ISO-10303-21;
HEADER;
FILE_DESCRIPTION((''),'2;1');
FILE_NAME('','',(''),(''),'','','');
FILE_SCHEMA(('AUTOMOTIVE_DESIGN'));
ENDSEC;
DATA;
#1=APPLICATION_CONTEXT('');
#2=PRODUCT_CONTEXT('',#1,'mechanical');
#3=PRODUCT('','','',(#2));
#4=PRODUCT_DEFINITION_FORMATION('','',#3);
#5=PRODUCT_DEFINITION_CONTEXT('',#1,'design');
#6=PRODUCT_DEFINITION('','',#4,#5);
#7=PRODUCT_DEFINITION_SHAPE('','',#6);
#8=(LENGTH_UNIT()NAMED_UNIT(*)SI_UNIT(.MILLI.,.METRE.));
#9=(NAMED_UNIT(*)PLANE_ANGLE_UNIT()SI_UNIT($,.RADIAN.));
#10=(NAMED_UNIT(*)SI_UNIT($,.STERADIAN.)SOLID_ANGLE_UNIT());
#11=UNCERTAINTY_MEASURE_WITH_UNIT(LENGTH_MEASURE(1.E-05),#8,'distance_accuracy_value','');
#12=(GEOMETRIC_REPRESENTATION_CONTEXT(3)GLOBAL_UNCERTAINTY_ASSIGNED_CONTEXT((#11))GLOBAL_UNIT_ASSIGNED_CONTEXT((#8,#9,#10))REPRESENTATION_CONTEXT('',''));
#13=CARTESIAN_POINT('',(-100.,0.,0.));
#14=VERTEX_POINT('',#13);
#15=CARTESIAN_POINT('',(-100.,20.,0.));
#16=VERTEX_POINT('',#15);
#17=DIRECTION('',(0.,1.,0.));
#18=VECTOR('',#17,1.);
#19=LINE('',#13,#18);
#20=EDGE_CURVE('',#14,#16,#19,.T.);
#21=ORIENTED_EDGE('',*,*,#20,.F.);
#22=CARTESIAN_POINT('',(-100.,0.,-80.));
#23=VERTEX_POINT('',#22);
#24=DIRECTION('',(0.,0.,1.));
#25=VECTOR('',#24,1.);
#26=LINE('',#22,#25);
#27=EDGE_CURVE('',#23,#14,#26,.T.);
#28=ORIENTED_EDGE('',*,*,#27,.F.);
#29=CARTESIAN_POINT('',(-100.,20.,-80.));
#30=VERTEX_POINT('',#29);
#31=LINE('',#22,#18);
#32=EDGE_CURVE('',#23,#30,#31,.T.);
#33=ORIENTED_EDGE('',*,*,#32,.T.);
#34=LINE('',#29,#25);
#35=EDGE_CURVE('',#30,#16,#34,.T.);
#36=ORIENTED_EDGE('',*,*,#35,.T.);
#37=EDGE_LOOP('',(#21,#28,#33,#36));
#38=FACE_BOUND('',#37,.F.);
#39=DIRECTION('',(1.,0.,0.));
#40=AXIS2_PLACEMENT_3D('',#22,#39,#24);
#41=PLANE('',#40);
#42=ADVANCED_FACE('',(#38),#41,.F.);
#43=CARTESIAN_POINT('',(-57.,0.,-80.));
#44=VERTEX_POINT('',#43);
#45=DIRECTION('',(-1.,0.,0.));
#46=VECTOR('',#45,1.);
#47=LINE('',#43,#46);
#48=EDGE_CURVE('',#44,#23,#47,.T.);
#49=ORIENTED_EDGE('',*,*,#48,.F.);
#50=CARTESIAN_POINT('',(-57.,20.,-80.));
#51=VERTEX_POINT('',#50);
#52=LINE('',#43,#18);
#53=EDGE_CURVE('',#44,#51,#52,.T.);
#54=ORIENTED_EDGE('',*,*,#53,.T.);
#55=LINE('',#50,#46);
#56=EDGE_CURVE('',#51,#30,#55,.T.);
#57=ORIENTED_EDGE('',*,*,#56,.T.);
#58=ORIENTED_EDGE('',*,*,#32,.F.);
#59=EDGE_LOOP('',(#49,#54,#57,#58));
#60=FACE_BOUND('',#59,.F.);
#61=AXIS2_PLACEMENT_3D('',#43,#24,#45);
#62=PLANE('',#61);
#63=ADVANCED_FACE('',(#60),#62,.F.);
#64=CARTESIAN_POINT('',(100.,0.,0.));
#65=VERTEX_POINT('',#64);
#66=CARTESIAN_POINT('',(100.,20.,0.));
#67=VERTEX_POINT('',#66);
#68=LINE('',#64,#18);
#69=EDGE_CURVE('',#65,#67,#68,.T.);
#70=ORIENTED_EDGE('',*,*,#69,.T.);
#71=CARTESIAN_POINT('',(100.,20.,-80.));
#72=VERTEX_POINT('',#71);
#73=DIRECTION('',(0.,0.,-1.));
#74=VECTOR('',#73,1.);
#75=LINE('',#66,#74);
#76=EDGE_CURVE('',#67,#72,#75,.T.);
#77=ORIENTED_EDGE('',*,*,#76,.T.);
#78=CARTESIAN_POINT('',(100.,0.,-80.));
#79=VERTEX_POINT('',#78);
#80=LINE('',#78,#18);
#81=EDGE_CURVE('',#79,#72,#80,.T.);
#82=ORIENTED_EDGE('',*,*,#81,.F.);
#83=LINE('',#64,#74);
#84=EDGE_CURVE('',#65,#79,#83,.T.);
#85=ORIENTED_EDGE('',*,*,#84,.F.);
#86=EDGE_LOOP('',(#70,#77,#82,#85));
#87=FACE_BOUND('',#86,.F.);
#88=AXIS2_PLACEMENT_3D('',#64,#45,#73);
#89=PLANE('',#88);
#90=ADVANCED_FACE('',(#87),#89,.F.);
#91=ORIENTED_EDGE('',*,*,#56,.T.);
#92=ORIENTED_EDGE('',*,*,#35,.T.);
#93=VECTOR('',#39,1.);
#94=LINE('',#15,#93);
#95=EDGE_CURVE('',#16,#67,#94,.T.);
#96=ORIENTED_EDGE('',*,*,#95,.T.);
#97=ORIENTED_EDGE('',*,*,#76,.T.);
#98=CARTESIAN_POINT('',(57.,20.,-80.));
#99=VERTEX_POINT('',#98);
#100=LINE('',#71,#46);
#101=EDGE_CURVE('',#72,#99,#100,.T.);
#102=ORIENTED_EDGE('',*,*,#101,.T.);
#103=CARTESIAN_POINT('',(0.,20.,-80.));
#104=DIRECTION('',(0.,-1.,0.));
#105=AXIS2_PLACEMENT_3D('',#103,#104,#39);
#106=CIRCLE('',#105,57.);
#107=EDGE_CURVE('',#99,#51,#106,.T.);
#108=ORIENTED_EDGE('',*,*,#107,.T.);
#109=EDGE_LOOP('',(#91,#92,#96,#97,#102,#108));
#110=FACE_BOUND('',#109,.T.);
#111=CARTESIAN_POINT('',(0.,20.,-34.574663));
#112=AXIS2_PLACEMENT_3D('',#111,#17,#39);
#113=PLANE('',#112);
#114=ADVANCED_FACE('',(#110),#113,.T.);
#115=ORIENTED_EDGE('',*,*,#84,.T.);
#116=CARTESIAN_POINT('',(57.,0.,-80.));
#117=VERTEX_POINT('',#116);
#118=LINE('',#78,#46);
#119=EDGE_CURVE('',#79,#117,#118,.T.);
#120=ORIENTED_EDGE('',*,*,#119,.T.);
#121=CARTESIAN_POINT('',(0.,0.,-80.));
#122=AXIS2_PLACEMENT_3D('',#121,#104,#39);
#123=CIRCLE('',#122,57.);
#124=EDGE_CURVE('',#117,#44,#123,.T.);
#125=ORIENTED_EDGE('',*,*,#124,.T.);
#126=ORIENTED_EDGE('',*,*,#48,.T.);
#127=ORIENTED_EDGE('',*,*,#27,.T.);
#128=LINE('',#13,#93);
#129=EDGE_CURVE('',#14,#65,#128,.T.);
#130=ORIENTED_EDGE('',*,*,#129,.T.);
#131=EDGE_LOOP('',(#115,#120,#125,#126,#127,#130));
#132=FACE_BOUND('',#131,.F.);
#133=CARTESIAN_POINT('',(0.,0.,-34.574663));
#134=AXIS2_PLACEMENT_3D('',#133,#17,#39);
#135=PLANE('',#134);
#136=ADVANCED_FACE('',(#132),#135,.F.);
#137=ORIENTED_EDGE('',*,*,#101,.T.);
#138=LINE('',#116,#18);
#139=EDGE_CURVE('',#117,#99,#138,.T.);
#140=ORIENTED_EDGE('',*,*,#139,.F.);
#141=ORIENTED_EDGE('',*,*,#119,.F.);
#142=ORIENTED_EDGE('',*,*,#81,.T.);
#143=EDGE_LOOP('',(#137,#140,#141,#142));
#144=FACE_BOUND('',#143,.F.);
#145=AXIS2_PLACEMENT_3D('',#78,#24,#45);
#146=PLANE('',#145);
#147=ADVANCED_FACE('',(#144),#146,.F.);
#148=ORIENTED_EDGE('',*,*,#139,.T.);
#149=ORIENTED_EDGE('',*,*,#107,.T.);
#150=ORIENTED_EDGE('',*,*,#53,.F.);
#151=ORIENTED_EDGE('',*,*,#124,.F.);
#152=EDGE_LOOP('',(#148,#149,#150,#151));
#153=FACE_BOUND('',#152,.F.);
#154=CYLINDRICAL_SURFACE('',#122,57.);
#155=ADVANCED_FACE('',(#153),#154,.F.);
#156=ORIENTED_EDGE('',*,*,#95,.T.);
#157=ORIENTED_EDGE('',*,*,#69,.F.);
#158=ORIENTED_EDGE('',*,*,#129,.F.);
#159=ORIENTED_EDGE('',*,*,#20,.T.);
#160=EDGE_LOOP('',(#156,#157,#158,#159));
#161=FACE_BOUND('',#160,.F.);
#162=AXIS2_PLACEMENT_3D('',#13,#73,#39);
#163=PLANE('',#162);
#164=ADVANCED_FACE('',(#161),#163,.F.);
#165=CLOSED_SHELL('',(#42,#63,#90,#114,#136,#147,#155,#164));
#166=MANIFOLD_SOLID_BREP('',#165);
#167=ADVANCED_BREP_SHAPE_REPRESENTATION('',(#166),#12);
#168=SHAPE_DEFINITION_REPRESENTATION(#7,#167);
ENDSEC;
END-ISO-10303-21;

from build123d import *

# Parameters (mm, degrees)
EXTRUDE_1_DEPTH = 20


with BuildPart() as part:
    # Эскиз1 → Бобышка-Вытянуть1 (new body)
    with BuildSketch(Plane(origin=(0, 0, 0), x_dir=(1, 0, 0), z_dir=(0, 1, 0))):
        with BuildLine():
            Line((-100, 0), (100, 0))
            Line((100, 0), (100, 80))
            Line((100, 80), (57, 80))
            ThreePointArc((57, 80), (0, 23), (-57, 80))
            Line((-57, 80), (-100, 80))
            Line((-100, 80), (-100, 0))
        make_face()
    extrude(amount=EXTRUDE_1_DEPTH)


solid = part.part
